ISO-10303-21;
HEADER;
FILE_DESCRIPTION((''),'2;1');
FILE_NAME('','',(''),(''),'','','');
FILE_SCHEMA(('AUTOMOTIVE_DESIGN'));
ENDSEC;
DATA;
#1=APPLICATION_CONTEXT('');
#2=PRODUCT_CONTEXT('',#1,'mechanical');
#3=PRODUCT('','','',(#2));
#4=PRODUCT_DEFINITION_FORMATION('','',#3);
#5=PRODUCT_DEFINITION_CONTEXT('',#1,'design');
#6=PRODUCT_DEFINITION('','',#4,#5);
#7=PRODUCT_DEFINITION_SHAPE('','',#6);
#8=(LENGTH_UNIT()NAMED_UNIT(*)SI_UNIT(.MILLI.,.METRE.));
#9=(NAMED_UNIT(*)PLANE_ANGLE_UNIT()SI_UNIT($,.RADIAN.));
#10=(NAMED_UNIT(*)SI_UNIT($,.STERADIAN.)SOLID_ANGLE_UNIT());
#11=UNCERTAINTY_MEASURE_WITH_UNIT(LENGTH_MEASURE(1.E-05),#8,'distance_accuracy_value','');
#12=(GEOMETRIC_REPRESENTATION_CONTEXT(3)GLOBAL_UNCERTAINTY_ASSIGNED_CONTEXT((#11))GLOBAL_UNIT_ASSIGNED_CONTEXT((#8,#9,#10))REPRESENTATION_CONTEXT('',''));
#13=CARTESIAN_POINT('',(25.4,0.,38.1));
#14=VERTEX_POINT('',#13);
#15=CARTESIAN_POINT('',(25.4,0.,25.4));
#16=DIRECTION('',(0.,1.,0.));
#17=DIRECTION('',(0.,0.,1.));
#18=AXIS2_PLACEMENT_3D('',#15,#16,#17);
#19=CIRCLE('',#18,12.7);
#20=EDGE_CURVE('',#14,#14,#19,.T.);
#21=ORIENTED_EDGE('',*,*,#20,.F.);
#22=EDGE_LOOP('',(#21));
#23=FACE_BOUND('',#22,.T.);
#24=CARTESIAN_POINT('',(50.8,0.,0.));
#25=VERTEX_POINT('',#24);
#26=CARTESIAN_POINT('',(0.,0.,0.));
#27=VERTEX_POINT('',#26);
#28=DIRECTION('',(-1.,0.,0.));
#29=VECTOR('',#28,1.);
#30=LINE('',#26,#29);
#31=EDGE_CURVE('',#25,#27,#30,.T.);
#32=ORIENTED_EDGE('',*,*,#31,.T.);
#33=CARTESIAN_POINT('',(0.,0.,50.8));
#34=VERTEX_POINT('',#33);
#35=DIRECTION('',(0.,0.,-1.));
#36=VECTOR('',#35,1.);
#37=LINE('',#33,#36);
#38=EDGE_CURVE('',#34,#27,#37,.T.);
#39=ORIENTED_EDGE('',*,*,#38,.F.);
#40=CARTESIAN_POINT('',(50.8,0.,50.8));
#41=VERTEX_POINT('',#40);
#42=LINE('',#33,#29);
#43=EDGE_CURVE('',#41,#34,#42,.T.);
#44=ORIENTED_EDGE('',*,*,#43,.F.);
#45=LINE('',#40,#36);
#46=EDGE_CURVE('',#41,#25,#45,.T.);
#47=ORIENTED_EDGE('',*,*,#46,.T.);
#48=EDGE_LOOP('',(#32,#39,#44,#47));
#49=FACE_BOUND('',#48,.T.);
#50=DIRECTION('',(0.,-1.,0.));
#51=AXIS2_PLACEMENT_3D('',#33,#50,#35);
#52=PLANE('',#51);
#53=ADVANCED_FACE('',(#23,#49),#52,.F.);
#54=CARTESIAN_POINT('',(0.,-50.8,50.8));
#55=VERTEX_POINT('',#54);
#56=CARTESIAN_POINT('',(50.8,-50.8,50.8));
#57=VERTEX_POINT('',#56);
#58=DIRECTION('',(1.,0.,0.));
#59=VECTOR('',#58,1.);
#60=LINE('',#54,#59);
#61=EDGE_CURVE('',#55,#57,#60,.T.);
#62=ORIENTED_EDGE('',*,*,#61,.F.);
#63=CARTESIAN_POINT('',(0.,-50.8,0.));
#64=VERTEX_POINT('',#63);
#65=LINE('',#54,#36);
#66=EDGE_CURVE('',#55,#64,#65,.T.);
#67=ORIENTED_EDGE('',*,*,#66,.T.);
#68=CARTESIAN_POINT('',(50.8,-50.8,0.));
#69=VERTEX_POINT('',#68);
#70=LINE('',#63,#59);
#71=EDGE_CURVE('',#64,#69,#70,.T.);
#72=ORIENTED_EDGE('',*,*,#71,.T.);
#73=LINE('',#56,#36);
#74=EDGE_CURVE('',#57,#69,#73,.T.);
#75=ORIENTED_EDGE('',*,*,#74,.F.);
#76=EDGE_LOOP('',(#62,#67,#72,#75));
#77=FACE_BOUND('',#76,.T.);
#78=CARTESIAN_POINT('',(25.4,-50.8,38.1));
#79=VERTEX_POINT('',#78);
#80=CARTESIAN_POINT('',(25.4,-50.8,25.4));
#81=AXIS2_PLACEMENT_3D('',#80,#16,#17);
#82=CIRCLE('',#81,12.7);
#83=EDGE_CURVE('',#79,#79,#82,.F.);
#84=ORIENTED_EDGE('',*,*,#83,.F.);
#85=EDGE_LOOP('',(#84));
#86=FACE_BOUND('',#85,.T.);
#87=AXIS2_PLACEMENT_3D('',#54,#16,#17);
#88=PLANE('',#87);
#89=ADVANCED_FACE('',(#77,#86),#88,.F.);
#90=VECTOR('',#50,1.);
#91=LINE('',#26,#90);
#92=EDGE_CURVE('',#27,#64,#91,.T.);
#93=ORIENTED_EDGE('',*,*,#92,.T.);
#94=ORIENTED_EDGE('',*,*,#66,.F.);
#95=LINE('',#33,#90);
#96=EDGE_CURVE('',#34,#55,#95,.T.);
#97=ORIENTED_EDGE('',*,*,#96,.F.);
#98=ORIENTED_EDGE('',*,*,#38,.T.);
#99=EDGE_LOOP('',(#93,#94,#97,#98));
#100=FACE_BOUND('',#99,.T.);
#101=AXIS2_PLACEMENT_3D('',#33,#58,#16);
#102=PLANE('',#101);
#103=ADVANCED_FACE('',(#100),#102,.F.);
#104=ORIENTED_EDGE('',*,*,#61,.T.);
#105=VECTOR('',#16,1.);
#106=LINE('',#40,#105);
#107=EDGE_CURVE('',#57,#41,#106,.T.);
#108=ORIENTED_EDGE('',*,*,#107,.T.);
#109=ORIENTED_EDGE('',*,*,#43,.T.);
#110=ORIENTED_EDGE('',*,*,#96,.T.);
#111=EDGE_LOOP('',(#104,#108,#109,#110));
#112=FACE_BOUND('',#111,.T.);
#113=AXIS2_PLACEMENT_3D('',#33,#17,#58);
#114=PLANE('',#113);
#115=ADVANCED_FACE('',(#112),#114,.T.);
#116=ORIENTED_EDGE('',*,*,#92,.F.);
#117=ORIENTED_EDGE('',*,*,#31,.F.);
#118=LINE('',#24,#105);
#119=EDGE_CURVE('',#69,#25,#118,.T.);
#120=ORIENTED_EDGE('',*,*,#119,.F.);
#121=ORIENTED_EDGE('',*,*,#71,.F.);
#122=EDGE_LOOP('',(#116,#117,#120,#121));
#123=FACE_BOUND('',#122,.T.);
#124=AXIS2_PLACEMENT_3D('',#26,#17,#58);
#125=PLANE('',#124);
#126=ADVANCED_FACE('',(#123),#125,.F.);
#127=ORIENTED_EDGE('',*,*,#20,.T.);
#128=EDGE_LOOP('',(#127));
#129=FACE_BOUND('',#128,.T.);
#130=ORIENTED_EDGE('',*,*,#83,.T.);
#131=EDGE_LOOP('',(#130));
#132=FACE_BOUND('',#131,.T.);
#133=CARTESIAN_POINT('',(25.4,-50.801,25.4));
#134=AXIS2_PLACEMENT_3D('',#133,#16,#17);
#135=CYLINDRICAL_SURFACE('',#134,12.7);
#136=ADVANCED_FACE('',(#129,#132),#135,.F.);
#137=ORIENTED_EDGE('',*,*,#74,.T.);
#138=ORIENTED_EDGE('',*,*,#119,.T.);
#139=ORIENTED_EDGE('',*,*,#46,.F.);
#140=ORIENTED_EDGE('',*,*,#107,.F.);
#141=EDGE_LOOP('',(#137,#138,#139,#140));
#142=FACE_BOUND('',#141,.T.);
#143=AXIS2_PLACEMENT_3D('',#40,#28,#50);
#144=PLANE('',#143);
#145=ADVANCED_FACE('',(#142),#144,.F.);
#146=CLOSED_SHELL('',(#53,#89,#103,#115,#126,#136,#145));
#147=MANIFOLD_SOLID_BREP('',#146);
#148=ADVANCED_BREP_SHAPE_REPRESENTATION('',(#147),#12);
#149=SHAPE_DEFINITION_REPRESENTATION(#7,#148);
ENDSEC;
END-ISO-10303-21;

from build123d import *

# Parameters (mm, degrees)
SKETCH1_W           = 50.8
SKETCH1_H           = 50.8
BOSS_EXTRUDE1_DEPTH = 50.8
CUT_EXTRUDE1_REACH  = 52.8
SKETCH2_R           = 12.7


with BuildPart() as part:
    # Sketch1 → Boss-Extrude1 (new body)
    with BuildSketch(Plane.XY):
        with Locations((25.4, -25.4)):
            Rectangle(SKETCH1_W, SKETCH1_H)
    extrude(amount=BOSS_EXTRUDE1_DEPTH)

    # Sketch2 → Cut-Extrude1 (cut, up to next)
    with BuildSketch(Plane(origin=(0, 0, 0), x_dir=(1, 0, 0), z_dir=(0, 1, 0)), mode=Mode.PRIVATE) as cut_extrude1_sk1:
        with Locations((25.4, -25.4)):
            Circle(SKETCH2_R)
    cut_extrude1_tool1 = extrude(cut_extrude1_sk1.sketch, amount=-CUT_EXTRUDE1_REACH, mode=Mode.PRIVATE) & part.part
    add(cut_extrude1_tool1.solids().sort_by_distance((25.4, 0, 25.4))[0], mode=Mode.SUBTRACT)


solid = part.part
